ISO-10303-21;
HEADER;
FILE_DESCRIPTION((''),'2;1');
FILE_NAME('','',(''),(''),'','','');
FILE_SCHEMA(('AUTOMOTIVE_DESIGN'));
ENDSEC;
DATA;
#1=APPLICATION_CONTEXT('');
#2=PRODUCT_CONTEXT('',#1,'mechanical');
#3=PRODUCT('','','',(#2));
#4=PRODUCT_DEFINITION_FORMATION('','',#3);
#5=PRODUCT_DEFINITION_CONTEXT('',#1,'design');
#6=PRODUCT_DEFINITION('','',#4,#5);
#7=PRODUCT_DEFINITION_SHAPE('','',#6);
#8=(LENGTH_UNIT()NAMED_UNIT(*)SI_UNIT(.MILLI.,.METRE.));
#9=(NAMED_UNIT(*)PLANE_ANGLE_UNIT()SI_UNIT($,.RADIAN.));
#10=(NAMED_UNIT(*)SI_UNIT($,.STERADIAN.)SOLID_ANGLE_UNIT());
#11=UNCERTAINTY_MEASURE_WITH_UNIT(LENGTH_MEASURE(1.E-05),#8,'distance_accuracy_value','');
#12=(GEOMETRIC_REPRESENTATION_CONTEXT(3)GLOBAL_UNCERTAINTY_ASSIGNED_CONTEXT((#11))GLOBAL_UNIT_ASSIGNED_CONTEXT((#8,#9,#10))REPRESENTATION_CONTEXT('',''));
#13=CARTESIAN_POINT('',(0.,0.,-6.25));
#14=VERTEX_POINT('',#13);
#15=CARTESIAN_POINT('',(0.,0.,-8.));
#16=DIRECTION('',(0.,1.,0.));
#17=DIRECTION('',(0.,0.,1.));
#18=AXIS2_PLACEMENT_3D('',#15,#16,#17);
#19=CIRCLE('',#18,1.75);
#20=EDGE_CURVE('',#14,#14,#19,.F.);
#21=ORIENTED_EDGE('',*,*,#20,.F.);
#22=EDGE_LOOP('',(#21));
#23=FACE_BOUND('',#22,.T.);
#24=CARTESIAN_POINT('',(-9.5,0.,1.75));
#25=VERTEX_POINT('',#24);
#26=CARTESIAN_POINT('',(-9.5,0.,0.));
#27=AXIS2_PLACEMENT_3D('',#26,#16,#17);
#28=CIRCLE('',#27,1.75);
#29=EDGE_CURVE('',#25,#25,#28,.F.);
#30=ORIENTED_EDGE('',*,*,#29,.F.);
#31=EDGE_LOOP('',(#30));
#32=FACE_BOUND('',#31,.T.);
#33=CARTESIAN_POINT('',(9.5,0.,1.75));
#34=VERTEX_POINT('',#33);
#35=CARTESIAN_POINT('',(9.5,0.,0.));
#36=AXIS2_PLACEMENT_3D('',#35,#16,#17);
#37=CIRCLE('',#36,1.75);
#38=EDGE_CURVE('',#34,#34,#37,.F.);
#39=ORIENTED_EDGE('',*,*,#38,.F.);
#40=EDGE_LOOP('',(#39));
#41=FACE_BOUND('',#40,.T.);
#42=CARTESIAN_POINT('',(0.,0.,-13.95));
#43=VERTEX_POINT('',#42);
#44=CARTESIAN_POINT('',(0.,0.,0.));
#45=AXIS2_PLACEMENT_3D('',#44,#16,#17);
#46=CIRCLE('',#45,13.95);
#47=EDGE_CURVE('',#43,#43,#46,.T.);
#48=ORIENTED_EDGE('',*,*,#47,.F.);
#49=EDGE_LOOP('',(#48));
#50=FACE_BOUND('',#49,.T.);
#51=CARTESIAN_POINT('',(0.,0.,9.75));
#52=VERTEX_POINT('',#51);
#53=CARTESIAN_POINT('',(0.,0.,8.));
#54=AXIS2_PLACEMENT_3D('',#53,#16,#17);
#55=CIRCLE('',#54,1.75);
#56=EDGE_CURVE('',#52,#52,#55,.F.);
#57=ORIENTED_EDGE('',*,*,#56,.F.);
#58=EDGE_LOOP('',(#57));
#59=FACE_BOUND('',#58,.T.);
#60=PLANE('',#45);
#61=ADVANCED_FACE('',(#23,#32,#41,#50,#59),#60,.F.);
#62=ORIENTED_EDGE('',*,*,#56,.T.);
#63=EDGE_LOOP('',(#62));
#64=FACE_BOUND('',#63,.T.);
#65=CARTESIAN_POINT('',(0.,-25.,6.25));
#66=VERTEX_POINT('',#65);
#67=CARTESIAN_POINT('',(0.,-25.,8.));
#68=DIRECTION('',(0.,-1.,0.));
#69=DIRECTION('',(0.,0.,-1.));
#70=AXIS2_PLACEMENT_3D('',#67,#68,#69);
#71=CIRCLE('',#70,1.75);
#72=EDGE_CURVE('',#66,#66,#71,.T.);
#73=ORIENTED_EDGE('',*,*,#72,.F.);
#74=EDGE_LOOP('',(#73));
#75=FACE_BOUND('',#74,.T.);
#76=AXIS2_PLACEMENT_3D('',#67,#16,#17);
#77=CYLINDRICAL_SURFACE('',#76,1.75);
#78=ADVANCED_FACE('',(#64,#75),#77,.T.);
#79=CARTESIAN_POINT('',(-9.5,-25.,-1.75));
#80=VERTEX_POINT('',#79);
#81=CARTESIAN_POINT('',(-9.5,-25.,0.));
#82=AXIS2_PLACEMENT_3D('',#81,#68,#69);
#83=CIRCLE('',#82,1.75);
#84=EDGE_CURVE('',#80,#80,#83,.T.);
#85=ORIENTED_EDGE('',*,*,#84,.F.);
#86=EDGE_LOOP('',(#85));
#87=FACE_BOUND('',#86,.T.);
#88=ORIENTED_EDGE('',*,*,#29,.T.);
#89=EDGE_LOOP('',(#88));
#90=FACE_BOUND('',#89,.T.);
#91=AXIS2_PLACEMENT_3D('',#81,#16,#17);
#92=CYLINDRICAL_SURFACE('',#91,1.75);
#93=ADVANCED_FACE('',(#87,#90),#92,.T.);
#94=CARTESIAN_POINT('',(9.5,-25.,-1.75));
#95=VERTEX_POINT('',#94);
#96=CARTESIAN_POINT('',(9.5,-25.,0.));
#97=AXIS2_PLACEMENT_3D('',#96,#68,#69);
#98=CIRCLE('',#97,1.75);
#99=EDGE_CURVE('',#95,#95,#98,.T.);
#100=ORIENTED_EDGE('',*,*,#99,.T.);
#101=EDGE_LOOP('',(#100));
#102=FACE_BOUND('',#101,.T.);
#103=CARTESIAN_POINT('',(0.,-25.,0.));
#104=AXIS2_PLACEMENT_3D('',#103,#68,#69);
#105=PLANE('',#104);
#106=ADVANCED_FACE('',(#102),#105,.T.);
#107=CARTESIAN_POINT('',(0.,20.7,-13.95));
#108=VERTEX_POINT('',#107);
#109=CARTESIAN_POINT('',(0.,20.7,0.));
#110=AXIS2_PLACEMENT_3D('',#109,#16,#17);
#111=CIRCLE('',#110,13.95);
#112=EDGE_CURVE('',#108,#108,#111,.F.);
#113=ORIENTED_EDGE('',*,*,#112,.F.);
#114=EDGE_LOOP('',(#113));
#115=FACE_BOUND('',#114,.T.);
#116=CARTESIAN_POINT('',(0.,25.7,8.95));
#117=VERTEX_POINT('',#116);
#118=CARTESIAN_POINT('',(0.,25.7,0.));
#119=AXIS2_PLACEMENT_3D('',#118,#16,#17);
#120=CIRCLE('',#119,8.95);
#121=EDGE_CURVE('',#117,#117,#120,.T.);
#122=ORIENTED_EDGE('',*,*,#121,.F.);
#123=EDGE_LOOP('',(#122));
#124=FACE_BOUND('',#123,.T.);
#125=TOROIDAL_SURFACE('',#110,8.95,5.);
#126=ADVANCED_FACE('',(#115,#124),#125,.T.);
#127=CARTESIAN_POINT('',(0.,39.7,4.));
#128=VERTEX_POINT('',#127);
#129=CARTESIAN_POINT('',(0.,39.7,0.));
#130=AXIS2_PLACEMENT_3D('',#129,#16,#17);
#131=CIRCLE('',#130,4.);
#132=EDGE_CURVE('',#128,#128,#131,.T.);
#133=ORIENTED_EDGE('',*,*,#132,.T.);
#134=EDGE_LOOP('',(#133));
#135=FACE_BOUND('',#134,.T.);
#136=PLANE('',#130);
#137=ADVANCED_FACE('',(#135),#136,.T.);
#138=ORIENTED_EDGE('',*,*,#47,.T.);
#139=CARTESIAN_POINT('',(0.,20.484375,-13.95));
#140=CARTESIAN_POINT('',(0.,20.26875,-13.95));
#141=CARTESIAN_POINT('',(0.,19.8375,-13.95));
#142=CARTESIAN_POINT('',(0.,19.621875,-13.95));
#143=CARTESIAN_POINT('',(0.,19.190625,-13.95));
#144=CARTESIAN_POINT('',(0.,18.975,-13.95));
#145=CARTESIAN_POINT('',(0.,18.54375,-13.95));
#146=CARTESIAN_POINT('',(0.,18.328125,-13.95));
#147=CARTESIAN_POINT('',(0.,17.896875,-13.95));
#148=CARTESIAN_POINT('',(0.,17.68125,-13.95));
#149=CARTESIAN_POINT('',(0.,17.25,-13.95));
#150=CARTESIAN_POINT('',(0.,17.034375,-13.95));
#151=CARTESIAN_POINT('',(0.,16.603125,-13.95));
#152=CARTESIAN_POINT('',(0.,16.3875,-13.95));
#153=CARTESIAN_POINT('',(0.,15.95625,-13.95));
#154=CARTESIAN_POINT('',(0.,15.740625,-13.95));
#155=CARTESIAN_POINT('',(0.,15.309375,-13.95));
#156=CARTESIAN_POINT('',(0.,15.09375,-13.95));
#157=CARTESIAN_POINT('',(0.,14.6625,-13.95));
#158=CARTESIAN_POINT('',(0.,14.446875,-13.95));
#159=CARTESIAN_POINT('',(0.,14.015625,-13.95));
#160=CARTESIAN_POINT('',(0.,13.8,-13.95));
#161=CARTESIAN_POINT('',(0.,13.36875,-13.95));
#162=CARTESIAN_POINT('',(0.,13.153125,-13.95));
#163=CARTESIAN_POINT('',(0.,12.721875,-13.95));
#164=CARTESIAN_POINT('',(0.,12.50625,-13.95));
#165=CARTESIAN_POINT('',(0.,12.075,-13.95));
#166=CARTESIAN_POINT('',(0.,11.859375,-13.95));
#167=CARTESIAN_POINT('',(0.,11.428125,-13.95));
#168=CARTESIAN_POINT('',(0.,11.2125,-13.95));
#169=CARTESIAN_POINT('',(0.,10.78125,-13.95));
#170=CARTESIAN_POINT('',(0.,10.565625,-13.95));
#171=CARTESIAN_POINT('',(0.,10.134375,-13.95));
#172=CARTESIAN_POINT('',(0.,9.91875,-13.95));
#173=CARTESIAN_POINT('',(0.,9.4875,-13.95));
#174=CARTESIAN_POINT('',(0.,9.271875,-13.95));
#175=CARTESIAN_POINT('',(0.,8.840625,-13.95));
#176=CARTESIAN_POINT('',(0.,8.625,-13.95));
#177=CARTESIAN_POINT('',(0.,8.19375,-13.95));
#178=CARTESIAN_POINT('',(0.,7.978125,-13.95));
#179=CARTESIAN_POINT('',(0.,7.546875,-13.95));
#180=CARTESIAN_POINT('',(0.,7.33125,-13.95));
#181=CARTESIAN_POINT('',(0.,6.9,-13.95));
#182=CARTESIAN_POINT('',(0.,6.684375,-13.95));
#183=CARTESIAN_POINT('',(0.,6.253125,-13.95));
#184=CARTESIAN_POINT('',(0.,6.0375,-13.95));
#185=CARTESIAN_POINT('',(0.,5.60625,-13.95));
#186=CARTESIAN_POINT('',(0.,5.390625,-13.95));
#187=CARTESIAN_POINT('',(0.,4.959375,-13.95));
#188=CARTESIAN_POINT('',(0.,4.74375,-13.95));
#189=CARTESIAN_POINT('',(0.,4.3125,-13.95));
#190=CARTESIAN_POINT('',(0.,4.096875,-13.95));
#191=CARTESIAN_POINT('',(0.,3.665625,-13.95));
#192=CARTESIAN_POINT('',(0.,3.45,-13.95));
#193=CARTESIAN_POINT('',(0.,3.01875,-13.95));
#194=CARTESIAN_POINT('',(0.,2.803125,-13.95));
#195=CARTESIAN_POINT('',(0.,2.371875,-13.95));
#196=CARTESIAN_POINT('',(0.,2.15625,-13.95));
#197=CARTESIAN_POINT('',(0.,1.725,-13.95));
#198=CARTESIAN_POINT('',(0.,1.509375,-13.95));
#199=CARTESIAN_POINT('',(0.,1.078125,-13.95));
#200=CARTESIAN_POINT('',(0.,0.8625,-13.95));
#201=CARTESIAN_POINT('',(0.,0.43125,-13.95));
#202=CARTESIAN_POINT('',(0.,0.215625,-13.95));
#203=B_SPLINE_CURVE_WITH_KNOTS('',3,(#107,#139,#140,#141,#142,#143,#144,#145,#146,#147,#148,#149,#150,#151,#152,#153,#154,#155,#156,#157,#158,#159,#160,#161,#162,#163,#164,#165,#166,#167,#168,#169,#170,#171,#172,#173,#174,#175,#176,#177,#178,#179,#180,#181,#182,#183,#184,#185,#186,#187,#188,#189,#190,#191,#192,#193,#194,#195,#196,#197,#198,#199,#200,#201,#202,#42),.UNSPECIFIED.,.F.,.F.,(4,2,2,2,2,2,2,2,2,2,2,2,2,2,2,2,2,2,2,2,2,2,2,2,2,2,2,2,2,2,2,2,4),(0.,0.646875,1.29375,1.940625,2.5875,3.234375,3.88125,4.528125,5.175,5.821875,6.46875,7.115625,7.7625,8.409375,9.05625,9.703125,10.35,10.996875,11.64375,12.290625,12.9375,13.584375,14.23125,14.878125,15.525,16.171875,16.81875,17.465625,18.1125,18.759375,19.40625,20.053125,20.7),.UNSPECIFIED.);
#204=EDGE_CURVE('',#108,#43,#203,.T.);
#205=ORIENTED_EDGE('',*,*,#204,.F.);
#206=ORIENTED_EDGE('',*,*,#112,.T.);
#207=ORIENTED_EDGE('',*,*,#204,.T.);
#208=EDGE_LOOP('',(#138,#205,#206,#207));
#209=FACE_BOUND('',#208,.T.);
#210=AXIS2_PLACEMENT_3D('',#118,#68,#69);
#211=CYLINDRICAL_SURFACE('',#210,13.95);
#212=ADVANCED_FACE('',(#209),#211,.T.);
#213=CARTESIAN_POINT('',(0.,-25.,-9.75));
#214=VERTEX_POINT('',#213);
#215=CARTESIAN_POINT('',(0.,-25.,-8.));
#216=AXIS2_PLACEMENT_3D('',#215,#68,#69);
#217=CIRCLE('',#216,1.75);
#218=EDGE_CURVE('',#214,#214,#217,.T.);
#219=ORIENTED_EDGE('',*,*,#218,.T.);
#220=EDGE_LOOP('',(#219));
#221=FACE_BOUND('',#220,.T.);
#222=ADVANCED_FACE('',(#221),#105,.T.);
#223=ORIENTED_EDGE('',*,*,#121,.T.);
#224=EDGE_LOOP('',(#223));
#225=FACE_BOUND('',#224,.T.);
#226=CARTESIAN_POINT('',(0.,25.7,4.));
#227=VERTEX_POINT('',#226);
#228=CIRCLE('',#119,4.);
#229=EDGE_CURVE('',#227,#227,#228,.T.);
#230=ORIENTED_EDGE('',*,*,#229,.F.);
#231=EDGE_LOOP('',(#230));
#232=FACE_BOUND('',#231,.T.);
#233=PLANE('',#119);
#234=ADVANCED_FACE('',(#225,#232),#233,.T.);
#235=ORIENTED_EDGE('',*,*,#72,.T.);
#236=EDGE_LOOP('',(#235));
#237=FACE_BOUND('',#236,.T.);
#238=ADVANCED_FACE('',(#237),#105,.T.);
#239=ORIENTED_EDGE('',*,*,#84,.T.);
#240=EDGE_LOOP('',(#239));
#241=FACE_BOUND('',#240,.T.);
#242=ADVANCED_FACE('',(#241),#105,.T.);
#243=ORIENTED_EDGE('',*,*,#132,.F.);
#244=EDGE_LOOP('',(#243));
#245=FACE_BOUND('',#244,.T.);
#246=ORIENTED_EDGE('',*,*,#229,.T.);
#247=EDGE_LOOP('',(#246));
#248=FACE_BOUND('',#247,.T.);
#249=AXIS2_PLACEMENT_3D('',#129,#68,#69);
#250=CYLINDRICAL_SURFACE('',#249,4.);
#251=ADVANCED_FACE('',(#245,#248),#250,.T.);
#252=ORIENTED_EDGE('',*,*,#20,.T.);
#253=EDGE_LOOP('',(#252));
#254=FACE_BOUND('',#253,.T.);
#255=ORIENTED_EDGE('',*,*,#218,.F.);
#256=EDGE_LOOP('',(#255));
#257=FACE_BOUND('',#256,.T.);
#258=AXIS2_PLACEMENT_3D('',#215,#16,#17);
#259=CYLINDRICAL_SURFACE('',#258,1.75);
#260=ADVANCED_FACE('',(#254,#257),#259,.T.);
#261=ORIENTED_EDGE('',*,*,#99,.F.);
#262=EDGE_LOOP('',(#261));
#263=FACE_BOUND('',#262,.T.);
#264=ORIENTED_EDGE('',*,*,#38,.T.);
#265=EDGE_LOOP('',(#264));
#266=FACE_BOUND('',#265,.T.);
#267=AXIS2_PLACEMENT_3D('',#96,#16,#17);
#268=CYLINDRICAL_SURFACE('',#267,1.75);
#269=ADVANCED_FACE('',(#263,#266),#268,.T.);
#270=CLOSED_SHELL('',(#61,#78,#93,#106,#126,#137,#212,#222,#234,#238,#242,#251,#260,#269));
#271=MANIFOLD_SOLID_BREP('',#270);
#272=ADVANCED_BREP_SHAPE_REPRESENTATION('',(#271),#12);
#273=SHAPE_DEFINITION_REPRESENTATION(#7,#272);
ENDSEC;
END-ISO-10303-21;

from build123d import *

# Parameters (mm, degrees)
SKETCH1_R           = 13.95
BOSS_EXTRUDE1_DEPTH = 25.7
FILLET1_R           = 5
SKETCH2_R           = 4
BOSS_EXTRUDE2_DEPTH = 14
BOSS_EXTRUDE3_DEPTH = 25


with BuildPart() as part:
    # Sketch1 → Boss-Extrude1 (new body)
    with BuildSketch(Plane(origin=(0, 0, 0), x_dir=(1, 0, 0), z_dir=(0, 1, 0))):
        with Locations(Location((0, 0, 0), (0, 0, 90))):
            Circle(SKETCH1_R)
    extrude(amount=BOSS_EXTRUDE1_DEPTH)

    # Fillet1
    fillet1_edges = [part.edges().sort_by_distance(p)[0] for p in [
        (0, 25.7, 13.95),
    ]]
    fillet(fillet1_edges, radius=FILLET1_R)

    # Sketch2 → Boss-Extrude2 (add)
    with BuildSketch(Plane(origin=(0, 25.7, 0), x_dir=(1, 0, 0), z_dir=(0, 1, 0))):
        with Locations(Location((0, 0, 0), (0, 0, 270))):
            Circle(SKETCH2_R)
    extrude(amount=BOSS_EXTRUDE2_DEPTH)

    # Sketch3 → Boss-Extrude3 (add)
    with BuildSketch(Plane.XZ):
        with BuildLine():
            ThreePointArc((0, 9.75), (-1.75, 8), (0, 6.25))
            Line((0, 6.25), (0, 9.75))
        make_face()
        with BuildLine():
            Line((0, 9.75), (0, 6.25))
            ThreePointArc((0, 6.25), (1.237436867, 6.762563133), (1.75, 8))
            ThreePointArc((1.75, 8), (1.237436867, 9.237436867), (0, 9.75))
        make_face()
        with BuildLine():
            ThreePointArc((-11.25, 0), (-9.5, -1.75), (-7.75, 0))
            Line((-7.75, 0), (-11.25, 0))
        make_face()
        with BuildLine():
            Line((-11.25, 0), (-7.75, 0))
            ThreePointArc((-7.75, 0), (-9.5, 1.75), (-11.25, 0))
        make_face()
        with BuildLine():
            ThreePointArc((1.75, -8), (1.237436867, -6.762563133), (0, -6.25))
            Line((0, -6.25), (0, -9.75))
            ThreePointArc((0, -9.75), (1.237436867, -9.237436867), (1.75, -8))
        make_face()
        with BuildLine():
            Line((0, -9.75), (0, -6.25))
            ThreePointArc((0, -6.25), (-1.75, -8), (0, -9.75))
        make_face()
        with BuildLine():
            ThreePointArc((7.75, 0), (9.5, -1.75), (11.25, 0))
            Line((11.25, 0), (7.75, 0))
        make_face()
        with BuildLine():
            Line((7.75, 0), (11.25, 0))
            ThreePointArc((11.25, 0), (9.5, 1.75), (7.75, 0))
        make_face()
    extrude(amount=BOSS_EXTRUDE3_DEPTH)


solid = part.part
